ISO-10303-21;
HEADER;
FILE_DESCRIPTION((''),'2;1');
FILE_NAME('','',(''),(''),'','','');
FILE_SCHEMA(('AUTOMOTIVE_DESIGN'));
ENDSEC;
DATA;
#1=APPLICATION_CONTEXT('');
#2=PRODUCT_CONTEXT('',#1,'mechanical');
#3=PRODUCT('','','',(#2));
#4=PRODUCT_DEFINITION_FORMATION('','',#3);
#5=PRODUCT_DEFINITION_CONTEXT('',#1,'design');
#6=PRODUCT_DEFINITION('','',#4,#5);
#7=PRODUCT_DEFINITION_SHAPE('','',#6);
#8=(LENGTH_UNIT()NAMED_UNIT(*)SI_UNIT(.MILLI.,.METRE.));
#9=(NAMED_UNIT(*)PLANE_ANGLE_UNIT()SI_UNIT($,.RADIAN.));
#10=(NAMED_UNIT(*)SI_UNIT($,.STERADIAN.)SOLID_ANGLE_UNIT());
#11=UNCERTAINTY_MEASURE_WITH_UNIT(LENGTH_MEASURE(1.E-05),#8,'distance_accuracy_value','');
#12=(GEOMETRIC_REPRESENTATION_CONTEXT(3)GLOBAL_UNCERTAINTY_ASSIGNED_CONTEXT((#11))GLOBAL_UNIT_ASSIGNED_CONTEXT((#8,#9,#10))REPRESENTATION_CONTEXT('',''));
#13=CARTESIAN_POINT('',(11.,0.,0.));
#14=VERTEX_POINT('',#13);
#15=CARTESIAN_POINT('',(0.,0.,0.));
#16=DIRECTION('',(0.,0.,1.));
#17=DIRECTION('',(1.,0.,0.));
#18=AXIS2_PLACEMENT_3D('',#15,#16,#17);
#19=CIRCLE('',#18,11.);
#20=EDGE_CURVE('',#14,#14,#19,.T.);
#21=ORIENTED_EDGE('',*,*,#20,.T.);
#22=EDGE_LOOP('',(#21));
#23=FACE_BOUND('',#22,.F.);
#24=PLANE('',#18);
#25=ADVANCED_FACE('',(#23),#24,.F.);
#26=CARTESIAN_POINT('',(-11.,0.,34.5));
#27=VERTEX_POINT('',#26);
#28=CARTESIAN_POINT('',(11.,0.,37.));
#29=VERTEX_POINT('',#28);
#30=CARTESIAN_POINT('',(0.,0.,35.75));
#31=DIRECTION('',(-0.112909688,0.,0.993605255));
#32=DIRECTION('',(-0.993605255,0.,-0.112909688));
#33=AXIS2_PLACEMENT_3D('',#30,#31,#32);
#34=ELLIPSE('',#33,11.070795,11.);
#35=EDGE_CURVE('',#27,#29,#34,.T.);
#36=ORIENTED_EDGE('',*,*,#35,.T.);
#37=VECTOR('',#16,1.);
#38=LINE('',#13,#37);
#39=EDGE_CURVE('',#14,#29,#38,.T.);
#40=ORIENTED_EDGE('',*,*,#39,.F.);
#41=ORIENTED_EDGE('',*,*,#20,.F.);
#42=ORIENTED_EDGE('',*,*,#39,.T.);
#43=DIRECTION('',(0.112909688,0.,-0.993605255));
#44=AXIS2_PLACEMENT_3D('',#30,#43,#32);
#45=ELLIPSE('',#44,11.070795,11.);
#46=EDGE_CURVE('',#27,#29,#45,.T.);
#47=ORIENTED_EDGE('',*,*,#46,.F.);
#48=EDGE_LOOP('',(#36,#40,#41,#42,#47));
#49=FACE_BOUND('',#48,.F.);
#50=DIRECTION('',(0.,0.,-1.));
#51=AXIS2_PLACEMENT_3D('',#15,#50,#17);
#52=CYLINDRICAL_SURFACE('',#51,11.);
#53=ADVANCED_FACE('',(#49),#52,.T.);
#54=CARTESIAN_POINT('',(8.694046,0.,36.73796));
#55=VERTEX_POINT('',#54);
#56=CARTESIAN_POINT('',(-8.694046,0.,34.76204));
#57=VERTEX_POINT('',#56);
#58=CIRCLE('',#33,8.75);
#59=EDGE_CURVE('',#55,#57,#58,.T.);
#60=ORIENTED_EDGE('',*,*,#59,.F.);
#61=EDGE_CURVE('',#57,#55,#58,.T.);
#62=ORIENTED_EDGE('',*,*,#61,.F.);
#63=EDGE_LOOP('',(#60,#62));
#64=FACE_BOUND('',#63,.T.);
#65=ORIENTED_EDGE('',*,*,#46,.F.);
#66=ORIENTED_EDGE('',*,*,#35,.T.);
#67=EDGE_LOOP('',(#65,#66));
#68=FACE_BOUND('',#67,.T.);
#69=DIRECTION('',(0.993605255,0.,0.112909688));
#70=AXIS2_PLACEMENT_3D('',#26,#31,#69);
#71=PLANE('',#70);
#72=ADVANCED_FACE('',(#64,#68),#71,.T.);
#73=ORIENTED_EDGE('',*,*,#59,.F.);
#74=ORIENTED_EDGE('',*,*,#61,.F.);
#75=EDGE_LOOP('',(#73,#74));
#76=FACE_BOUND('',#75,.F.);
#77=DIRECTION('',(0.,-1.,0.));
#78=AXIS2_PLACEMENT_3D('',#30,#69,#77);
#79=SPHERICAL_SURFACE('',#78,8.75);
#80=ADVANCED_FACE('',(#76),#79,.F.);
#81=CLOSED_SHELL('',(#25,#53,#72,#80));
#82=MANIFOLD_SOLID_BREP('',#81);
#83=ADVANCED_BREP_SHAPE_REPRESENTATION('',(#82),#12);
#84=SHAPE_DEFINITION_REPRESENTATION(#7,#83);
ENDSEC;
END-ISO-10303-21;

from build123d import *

# Parameters (mm, degrees)
F0_R          = 11
F1_DEPTH      = 37
F3_DEPTH      = 11.001
F3_DEPTH_BACK = 11.001


with BuildPart() as f1:
    # F0 (on Top) → F1 (new body)
    with BuildSketch(Plane.XY):
        Circle(F0_R)
    extrude(amount=F1_DEPTH)

    # F2 (on Front) → F3 (cut, two sides)
    with BuildSketch(Plane.XZ) as f3_sk:
        Polygon((11, 37), (-11, 37), (-11, 34.5), align=None)
    extrude(amount=-F3_DEPTH, mode=Mode.SUBTRACT)
    extrude(f3_sk.sketch, amount=F3_DEPTH_BACK, mode=Mode.SUBTRACT)

    # F4 (on face) → F5 (revolve, cut)
    with BuildSketch(Plane(origin=(-4.010708822, 0, 35.2942376339), x_dir=(0.9936052548, 0, 0.112909688), z_dir=(-0.112909688, 0, 0.9936052548))):
        with BuildLine():
            Line((12.7865213476, 0), (-4.7134786524, 0))
            ThreePointArc((-4.7134786524, 0), (4.0365213476, -8.75), (12.7865213476, 0))
        make_face()
    revolve(axis=Axis((0, 0, 35.75), (0.9936052548, 0, 0.112909688)), mode=Mode.SUBTRACT)


solid = f1.part
